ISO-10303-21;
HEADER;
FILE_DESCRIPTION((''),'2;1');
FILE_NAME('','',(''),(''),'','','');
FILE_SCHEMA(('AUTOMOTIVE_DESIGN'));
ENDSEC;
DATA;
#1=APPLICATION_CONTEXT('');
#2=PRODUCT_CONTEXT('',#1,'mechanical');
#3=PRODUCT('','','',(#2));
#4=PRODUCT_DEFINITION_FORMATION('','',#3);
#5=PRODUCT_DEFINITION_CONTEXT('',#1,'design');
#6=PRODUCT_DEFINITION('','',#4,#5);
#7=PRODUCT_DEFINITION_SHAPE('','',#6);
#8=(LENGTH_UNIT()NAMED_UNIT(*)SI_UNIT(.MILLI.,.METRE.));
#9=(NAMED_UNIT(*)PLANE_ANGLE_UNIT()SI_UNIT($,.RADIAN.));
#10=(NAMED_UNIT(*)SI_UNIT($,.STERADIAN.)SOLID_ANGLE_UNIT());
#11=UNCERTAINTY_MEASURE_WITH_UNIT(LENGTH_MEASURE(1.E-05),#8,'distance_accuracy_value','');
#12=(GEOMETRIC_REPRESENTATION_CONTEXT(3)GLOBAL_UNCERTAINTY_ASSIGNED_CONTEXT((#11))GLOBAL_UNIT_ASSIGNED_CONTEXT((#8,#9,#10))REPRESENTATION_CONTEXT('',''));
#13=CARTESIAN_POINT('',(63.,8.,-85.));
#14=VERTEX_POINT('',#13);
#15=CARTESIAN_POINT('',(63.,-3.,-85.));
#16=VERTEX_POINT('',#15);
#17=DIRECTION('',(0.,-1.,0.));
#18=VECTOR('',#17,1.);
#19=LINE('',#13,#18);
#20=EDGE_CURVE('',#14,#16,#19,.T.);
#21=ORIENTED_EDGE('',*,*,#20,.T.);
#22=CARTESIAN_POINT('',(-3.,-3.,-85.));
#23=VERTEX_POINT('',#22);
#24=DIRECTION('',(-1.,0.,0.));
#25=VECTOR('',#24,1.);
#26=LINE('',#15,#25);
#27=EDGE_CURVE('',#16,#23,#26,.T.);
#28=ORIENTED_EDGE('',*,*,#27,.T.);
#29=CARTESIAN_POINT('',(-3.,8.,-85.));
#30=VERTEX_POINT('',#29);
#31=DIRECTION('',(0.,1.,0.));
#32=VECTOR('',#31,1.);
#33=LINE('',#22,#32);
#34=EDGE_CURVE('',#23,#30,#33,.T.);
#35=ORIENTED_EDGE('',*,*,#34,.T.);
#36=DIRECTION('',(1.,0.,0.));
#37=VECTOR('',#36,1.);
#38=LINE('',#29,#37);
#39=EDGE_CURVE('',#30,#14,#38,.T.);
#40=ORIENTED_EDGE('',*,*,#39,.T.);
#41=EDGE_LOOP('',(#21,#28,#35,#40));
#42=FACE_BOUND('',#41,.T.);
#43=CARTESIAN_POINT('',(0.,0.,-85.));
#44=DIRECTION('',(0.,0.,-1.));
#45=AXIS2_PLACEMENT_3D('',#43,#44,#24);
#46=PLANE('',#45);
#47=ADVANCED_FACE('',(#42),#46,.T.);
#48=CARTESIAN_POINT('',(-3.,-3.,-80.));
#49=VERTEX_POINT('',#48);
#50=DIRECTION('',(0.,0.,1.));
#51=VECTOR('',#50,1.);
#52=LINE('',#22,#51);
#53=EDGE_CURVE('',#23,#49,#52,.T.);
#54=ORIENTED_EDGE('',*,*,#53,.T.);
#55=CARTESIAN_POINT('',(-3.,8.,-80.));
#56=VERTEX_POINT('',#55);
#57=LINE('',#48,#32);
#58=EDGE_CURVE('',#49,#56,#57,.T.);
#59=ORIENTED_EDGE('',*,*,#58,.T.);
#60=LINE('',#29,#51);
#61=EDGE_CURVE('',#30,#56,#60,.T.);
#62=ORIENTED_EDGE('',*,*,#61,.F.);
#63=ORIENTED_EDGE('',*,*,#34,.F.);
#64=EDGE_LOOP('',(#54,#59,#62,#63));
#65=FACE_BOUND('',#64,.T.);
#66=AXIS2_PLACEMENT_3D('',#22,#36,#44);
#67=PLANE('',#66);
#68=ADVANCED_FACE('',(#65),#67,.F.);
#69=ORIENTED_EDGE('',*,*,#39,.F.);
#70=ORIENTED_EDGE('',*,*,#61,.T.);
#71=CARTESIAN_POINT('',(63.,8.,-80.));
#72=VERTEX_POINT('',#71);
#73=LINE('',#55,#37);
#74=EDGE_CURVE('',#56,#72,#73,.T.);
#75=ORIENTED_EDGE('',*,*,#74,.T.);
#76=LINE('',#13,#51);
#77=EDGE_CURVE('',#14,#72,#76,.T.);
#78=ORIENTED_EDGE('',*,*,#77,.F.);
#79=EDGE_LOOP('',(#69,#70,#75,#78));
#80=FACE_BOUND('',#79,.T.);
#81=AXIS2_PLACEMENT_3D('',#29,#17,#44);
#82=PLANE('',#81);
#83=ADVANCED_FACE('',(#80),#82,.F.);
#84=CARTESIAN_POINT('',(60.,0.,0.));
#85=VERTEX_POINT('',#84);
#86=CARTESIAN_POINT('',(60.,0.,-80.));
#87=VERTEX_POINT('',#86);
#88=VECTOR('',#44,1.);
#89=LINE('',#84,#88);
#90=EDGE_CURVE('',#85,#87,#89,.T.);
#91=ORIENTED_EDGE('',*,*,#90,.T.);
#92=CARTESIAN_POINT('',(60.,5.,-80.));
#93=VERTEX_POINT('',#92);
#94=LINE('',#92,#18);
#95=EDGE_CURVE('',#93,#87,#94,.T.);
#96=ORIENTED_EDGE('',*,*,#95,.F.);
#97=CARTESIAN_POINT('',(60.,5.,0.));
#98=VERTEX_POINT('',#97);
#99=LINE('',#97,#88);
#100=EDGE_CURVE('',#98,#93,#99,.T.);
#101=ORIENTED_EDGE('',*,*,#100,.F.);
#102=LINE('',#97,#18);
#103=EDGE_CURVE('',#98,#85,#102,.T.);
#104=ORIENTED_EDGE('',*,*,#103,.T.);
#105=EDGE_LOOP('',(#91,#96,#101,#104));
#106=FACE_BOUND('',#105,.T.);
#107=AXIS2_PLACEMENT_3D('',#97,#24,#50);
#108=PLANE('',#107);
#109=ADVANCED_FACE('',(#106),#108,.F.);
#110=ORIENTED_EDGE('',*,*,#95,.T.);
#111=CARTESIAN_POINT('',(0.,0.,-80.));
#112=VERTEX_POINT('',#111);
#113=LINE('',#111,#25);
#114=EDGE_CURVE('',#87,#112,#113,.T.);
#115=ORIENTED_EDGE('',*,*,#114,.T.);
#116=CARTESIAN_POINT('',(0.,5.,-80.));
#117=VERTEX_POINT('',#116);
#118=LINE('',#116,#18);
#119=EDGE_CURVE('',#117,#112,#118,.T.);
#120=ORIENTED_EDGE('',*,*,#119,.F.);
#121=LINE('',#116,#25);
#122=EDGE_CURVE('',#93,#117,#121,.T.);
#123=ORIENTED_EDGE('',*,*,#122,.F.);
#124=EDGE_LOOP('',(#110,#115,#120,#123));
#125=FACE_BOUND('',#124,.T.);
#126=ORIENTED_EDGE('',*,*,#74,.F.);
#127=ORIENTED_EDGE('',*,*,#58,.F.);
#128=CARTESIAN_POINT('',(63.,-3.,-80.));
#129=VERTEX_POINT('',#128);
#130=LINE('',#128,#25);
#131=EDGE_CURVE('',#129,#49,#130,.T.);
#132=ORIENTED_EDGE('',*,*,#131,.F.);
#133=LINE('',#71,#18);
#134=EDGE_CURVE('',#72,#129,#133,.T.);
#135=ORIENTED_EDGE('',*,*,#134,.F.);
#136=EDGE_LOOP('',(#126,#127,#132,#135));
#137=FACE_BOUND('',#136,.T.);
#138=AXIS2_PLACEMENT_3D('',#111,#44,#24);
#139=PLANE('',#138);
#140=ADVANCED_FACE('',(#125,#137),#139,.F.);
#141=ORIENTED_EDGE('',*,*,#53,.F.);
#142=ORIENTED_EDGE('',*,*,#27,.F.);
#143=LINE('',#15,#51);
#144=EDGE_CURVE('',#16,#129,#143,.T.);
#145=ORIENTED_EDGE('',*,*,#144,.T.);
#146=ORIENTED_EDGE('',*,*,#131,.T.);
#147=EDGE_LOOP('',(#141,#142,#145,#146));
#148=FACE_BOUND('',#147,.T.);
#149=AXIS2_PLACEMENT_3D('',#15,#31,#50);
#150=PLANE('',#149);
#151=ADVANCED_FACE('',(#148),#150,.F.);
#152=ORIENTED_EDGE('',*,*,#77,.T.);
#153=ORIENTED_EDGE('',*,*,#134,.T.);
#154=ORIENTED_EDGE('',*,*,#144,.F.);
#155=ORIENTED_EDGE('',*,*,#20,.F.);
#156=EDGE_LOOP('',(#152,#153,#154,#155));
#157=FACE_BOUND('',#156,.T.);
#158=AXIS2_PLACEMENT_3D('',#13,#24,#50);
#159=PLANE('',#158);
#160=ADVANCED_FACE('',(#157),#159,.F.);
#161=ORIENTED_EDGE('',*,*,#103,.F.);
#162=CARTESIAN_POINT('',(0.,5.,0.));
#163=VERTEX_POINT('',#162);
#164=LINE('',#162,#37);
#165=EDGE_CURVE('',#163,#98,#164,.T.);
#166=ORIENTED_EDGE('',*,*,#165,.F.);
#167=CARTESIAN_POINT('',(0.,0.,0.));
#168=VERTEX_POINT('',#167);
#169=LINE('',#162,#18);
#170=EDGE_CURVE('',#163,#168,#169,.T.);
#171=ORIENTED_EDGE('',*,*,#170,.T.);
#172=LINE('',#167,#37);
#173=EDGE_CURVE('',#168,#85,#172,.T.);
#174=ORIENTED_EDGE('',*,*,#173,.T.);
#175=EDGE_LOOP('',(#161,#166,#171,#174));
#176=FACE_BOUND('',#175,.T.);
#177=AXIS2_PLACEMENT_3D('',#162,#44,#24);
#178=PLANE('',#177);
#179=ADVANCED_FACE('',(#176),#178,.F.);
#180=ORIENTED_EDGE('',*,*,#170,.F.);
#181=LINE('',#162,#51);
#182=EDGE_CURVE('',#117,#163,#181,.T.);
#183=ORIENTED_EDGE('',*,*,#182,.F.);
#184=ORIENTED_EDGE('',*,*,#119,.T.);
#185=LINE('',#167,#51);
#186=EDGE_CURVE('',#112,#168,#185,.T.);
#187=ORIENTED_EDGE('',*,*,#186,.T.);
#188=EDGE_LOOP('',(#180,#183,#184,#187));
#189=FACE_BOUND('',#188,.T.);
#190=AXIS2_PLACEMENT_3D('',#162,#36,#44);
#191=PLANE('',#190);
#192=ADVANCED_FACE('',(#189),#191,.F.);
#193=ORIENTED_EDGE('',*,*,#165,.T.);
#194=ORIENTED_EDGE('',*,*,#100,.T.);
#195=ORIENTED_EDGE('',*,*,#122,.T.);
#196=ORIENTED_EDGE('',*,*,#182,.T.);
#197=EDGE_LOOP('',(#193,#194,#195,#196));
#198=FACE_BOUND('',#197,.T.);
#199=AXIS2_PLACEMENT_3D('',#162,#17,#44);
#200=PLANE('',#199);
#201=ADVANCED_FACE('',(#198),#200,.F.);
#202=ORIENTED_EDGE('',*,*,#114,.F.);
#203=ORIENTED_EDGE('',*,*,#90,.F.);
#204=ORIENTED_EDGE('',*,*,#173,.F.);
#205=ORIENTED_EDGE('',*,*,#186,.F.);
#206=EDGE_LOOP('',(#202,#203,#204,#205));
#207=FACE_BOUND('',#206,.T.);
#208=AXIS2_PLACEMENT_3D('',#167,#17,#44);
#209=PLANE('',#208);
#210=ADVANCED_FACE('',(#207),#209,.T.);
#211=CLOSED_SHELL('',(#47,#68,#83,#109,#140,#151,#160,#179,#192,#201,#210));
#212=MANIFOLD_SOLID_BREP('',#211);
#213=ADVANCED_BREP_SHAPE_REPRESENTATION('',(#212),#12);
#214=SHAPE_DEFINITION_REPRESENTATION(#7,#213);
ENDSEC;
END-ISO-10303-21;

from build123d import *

# Parameters (mm, degrees)
SKETCH1_W           = 60
SKETCH1_H           = 80
BOSS_EXTRUDE1_DEPTH = 5
SKETCH3_W           = 66
SKETCH3_H           = 11
BOSS_EXTRUDE2_DEPTH = 5


with BuildPart() as part:
    # Sketch1 → Boss-Extrude1 (new body)
    with BuildSketch(Plane(origin=(0, 0, 0), x_dir=(1, 0, 0), z_dir=(0, 1, 0))):
        with Locations((30, 40)):
            Rectangle(SKETCH1_W, SKETCH1_H)
    extrude(amount=BOSS_EXTRUDE1_DEPTH)

    # Sketch3 → Boss-Extrude2 (add)
    with BuildSketch(Plane(origin=(0, 0, -80), x_dir=(-1, 0, 0), z_dir=(0, 0, -1))):
        with Locations((-30, 2.5)):
            Rectangle(SKETCH3_W, SKETCH3_H)
    extrude(amount=BOSS_EXTRUDE2_DEPTH)


solid = part.part
